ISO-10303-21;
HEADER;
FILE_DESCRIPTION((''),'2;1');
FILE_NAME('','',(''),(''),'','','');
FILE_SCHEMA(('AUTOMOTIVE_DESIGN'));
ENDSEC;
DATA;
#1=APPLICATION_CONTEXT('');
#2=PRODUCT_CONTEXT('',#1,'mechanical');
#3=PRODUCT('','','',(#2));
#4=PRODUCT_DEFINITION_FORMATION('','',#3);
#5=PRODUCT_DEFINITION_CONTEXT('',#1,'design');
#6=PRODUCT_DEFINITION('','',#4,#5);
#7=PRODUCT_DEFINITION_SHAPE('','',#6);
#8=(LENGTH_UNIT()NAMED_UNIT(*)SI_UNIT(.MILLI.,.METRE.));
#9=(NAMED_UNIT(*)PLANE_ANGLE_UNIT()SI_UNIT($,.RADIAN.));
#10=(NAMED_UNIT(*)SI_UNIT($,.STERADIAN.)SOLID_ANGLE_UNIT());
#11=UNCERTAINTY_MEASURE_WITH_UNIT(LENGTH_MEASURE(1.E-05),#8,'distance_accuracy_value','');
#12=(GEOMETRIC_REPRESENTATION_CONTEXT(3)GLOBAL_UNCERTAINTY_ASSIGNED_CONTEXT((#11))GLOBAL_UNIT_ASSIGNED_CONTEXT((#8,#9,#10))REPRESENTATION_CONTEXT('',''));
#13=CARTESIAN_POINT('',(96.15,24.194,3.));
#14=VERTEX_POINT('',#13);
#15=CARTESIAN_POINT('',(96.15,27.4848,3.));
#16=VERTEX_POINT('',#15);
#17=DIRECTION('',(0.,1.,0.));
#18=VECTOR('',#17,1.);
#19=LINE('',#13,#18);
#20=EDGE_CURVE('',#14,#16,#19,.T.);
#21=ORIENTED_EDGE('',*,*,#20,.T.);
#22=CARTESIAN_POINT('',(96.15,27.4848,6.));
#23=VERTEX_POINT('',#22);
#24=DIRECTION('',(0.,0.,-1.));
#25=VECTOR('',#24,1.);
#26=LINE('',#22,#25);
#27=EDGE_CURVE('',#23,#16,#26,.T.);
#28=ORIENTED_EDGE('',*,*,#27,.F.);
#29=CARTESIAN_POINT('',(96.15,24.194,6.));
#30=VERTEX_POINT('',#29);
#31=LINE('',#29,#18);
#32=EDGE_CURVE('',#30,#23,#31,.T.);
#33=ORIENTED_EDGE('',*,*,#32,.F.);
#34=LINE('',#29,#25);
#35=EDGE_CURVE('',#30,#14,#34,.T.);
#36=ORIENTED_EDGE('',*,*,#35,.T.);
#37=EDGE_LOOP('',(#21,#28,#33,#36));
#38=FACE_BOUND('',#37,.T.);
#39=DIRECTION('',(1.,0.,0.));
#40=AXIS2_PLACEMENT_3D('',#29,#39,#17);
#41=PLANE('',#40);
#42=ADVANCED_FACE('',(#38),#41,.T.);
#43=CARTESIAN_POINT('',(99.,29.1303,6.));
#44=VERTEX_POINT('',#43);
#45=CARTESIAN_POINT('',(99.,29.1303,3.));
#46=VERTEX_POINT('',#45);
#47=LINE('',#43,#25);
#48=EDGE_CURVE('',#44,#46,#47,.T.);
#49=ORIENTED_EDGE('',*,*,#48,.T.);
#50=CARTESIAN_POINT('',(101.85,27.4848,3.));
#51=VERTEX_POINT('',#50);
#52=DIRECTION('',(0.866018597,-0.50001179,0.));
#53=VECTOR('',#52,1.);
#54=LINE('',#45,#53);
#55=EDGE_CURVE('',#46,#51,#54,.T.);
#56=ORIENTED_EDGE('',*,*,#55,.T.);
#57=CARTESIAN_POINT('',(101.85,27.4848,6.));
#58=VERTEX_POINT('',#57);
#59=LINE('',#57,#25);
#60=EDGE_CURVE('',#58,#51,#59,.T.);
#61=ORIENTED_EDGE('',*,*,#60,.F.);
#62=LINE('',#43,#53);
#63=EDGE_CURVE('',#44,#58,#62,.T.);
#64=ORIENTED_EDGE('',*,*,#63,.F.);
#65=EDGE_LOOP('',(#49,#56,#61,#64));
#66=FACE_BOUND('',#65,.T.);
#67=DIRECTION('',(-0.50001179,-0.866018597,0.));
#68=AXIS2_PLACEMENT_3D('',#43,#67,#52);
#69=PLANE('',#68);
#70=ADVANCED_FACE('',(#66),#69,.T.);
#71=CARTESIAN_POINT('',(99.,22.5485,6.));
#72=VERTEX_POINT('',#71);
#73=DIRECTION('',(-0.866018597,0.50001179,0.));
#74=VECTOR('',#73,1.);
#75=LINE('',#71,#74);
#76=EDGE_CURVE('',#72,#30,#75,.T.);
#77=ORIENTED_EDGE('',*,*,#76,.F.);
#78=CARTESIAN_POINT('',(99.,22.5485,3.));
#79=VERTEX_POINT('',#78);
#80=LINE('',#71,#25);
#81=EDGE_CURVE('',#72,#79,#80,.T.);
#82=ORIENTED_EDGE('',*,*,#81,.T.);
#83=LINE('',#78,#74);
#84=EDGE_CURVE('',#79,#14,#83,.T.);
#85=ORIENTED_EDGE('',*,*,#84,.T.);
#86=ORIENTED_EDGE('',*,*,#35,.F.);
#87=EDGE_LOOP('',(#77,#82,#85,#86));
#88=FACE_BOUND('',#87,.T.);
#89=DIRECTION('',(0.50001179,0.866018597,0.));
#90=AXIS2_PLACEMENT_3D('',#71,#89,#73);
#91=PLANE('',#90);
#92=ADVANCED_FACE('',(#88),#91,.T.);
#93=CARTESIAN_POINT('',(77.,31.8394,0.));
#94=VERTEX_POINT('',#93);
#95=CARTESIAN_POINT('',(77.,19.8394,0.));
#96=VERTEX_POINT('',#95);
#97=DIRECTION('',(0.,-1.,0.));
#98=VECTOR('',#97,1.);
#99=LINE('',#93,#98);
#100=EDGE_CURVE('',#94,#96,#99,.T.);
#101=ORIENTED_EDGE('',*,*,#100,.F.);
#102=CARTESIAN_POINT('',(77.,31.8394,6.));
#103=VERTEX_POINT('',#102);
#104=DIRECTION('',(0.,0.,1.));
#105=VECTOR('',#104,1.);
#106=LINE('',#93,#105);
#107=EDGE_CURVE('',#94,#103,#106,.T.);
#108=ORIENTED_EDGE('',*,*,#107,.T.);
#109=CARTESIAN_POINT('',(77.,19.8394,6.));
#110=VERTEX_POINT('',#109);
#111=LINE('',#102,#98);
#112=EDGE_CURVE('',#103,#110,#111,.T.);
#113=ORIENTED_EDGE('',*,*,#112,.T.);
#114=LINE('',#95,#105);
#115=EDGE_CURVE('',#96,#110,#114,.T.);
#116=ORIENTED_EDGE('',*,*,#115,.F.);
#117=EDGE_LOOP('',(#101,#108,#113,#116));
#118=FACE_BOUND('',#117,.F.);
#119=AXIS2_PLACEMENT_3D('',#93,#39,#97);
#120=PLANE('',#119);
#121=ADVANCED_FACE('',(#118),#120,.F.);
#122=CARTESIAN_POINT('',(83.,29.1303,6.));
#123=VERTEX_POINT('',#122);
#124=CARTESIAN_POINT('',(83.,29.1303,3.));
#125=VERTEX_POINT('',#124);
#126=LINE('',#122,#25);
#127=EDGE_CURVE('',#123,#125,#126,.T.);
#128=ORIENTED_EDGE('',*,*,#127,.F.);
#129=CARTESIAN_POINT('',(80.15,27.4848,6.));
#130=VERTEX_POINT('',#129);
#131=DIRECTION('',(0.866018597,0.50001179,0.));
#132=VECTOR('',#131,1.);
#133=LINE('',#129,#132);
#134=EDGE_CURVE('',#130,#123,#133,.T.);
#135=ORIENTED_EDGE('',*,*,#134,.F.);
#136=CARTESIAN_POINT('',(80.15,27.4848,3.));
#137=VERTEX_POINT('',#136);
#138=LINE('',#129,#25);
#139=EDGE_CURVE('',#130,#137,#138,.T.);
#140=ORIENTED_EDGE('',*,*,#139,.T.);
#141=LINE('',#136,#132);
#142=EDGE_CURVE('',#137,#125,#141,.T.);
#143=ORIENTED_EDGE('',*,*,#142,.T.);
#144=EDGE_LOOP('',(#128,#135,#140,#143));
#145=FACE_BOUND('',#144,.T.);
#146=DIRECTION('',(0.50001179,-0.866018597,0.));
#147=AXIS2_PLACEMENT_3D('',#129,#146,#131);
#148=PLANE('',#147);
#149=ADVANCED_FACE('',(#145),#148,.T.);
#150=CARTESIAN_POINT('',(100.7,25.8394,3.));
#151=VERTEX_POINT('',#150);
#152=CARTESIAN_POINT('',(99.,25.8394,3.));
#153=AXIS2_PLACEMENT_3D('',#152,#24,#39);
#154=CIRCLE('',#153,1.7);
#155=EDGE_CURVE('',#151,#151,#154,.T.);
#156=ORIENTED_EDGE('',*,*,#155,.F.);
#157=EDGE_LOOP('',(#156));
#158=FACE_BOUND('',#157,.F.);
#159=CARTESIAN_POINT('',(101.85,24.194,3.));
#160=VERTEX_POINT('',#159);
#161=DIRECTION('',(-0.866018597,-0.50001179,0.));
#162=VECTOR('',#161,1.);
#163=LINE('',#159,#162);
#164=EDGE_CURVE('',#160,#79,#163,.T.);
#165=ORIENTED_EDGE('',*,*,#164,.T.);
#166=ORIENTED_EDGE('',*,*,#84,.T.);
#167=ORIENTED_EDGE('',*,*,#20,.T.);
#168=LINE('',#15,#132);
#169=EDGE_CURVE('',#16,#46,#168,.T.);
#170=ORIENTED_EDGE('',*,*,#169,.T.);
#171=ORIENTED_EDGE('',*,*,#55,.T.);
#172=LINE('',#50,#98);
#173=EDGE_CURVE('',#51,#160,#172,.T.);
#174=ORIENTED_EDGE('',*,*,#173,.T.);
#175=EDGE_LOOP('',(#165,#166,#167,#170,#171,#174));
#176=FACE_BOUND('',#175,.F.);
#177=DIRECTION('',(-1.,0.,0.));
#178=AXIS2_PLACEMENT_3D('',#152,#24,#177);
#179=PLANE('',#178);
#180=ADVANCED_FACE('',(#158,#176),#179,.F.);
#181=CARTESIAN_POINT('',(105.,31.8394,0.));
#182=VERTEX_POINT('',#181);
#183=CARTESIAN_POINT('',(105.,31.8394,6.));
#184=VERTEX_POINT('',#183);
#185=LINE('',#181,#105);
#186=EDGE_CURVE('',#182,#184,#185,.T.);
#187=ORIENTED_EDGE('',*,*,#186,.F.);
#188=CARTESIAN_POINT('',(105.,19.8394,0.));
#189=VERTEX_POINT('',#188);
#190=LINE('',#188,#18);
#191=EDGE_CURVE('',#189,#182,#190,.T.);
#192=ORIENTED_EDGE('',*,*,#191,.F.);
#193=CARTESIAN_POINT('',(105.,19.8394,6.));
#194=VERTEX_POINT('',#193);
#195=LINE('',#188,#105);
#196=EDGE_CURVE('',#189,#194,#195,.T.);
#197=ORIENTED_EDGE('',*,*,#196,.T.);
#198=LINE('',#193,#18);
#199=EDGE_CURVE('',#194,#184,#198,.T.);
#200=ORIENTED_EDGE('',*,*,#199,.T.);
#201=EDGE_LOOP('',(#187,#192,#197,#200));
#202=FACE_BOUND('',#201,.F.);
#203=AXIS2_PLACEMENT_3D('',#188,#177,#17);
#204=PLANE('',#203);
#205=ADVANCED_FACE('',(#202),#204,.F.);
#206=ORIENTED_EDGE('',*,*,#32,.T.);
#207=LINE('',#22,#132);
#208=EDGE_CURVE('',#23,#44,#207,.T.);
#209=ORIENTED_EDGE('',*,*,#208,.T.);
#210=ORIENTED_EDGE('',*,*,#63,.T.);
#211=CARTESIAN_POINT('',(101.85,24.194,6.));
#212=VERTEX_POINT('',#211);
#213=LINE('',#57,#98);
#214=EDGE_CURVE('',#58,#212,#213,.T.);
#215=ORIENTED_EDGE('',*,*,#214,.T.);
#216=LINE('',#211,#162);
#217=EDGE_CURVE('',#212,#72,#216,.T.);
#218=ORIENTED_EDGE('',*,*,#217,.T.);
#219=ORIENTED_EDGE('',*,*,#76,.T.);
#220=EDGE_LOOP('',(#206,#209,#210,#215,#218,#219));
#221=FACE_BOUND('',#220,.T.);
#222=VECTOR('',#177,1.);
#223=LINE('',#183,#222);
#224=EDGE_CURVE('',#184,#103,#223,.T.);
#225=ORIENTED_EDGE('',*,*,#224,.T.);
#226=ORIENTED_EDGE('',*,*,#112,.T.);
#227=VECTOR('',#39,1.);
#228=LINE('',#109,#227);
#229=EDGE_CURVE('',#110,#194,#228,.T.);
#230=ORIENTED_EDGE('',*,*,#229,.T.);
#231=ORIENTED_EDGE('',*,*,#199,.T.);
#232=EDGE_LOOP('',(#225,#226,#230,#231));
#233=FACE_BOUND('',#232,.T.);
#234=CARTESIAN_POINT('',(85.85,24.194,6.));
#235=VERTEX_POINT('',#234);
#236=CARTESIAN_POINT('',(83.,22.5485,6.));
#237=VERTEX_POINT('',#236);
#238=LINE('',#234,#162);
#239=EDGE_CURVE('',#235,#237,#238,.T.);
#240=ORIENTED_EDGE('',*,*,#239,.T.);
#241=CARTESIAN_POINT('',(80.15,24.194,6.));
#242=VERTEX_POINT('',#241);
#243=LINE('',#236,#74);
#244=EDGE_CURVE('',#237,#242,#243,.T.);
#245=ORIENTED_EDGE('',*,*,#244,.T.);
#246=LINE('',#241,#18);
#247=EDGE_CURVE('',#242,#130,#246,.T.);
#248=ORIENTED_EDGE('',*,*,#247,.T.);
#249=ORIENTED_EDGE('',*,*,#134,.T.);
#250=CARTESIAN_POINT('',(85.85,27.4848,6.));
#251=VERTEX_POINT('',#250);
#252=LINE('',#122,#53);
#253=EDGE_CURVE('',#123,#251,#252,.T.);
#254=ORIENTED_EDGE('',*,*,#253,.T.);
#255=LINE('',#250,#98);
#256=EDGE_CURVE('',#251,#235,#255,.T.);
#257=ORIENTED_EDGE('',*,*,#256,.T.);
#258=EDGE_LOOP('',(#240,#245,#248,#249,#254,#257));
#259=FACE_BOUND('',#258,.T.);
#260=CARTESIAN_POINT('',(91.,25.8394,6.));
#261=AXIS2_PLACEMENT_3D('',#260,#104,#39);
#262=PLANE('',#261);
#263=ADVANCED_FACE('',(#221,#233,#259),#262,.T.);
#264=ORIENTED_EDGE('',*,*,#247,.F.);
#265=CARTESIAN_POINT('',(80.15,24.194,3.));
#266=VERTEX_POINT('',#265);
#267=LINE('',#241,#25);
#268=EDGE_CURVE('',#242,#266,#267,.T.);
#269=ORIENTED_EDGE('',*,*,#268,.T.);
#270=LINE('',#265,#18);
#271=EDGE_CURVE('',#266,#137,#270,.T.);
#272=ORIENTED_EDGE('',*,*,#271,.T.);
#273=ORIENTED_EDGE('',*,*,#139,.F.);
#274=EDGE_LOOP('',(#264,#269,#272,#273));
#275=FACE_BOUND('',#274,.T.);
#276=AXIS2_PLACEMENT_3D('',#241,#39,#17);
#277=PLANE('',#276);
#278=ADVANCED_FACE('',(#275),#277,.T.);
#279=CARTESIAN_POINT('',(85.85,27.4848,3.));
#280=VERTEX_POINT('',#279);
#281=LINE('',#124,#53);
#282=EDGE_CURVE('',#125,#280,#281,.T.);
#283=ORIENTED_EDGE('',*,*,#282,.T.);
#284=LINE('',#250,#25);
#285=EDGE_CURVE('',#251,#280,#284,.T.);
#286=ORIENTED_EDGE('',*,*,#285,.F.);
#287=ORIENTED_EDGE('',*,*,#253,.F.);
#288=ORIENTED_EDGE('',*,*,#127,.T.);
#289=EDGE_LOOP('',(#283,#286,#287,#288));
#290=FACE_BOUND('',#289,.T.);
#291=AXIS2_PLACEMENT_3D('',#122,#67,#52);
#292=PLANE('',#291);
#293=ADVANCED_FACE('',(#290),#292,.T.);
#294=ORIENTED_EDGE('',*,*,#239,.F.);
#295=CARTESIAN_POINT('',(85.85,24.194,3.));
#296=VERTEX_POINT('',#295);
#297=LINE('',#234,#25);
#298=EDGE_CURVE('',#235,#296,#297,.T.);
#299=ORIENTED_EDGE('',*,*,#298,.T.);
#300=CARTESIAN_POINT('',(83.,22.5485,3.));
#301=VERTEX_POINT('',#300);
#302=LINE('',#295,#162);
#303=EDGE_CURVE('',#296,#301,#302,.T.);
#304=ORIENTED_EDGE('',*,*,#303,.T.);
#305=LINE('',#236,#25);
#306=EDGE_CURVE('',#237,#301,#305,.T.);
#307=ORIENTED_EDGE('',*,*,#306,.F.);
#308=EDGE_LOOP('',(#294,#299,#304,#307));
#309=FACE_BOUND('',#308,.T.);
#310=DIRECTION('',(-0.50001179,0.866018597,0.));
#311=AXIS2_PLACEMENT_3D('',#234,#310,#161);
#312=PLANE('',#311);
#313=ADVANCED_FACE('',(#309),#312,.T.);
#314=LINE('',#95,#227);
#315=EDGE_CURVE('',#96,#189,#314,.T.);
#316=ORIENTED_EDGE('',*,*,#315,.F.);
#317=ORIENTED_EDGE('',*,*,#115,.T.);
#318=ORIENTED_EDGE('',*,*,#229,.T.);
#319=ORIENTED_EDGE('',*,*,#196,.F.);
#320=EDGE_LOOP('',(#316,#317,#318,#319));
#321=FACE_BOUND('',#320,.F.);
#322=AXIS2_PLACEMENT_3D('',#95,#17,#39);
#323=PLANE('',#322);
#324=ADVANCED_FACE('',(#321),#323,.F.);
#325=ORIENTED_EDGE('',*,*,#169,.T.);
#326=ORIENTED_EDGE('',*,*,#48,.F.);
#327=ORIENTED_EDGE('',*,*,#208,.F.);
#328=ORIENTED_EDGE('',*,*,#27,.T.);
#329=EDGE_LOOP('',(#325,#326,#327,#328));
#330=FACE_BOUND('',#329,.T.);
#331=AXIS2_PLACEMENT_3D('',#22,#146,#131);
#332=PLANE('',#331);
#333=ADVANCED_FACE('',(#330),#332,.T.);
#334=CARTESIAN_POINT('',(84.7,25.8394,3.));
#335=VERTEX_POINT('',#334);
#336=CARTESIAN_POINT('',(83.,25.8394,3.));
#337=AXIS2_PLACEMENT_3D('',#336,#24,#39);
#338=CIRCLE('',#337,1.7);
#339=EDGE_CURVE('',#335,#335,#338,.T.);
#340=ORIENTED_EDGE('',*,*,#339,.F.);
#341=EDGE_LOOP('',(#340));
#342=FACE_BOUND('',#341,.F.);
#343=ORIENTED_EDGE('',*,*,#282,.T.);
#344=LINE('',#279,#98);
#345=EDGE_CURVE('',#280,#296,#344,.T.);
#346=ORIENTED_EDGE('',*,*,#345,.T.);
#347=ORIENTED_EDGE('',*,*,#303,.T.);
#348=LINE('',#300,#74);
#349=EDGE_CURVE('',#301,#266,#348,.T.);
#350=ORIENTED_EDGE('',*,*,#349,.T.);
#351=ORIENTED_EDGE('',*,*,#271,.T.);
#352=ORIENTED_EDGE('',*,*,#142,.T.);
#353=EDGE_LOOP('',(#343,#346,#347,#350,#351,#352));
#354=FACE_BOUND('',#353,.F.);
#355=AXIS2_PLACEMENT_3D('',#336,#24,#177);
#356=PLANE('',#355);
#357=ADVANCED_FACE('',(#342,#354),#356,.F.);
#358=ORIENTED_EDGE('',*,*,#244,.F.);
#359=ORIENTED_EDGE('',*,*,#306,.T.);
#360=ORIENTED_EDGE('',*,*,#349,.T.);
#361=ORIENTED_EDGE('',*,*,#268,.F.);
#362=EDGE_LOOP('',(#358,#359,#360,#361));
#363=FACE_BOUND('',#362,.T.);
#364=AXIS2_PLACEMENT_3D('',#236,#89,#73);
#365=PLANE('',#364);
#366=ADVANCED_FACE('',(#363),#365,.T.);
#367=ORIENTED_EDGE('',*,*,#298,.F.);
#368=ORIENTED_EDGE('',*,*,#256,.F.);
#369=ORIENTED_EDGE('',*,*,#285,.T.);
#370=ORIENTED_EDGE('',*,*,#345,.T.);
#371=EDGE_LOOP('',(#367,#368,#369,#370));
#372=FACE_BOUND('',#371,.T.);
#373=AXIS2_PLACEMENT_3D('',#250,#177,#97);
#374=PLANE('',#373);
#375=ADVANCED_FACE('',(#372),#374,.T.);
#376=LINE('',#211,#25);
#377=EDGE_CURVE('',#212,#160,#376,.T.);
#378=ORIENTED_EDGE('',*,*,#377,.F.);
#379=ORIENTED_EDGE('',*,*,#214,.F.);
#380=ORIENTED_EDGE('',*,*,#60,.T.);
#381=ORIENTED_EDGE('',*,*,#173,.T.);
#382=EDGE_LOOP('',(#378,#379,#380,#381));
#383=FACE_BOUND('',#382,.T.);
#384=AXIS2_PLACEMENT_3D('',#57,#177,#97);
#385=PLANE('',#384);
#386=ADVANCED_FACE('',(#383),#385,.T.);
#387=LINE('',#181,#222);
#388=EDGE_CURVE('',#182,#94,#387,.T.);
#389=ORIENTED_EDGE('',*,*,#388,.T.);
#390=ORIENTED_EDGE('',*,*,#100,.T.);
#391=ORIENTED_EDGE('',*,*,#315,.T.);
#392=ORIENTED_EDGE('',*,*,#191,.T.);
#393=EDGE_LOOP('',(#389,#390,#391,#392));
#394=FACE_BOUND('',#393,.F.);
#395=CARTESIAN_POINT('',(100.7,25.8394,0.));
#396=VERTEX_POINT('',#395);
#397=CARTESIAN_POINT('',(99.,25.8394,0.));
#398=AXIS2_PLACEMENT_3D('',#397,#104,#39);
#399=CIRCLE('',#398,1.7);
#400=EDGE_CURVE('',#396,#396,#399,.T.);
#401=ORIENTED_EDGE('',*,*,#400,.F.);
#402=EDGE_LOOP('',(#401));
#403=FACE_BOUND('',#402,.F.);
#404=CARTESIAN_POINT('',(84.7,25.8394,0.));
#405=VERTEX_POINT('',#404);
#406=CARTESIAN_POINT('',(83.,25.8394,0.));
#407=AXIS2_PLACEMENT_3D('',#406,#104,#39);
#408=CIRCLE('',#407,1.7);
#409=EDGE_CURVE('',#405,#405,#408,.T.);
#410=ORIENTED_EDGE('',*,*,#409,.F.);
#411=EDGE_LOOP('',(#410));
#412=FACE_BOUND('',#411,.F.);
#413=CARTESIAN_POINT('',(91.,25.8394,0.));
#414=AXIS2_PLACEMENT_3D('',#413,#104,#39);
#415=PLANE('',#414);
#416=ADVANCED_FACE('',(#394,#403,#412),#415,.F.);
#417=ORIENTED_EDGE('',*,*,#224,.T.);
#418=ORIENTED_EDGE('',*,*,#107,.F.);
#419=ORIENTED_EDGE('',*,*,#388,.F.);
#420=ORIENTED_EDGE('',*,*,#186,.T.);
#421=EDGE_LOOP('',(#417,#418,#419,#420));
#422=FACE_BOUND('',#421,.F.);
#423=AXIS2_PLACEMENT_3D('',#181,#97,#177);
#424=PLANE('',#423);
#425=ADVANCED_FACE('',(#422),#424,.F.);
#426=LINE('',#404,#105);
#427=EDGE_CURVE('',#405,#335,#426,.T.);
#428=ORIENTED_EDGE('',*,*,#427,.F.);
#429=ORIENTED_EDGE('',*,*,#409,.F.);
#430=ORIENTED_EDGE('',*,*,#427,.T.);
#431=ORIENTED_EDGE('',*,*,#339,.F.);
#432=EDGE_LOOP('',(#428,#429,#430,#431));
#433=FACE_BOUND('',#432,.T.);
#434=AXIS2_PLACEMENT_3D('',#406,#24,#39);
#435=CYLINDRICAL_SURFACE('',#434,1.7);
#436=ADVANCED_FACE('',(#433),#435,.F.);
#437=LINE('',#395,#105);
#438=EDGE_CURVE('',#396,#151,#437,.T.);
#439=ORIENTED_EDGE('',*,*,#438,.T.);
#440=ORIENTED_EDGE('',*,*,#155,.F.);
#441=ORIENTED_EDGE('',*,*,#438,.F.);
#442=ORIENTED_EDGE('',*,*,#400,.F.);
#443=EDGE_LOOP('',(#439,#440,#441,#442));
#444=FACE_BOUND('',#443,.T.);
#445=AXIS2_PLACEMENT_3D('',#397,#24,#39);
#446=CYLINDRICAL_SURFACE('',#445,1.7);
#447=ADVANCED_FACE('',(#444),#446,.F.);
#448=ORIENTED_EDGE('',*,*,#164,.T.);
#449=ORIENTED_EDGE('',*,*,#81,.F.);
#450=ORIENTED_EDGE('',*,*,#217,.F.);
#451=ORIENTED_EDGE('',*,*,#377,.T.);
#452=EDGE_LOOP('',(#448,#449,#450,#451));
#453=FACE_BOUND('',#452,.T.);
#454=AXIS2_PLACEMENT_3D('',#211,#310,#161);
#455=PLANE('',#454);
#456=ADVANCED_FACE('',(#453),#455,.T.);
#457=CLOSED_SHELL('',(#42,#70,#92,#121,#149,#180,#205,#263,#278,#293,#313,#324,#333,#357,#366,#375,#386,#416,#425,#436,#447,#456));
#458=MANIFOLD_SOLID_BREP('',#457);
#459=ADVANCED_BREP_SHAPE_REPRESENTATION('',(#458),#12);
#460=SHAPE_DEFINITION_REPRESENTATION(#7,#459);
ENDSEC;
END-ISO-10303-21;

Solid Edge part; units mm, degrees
sketch "Sketch1" plane through (0, 0, 0) normal (0, 0, 1) x (1, 0, 0)
  circle A0 centre (99, 25.8394) radius 1.7
  line L0 (77, 19.8394) -> (105, 19.8394)
  line L1 (105, 19.8394) -> (105, 31.8394)
  line L2 (105, 31.8394) -> (77, 31.8394)
  line L3 (77, 31.8394) -> (77, 19.8394)
  circle A1 centre (83, 25.8394) radius 1.7
  dimension "D1" = 12
  dimension "D2" = 6
  dimension "D3" = 6
  dimension "D4" = 28
extrude "Protrusion1" add sketch "Sketch1" along normal blind 6
sketch "Sketch2" plane through (89, 25.8394, 6) normal (0, 0, 1) x (1, 0, 0)
  line L0 (7.15, 1.6454) -> (10, 3.2909)
  line L1 (10, 3.2909) -> (12.85, 1.6454)
  line L2 (12.85, 1.6454) -> (12.85, -1.6454)
  line L3 (12.85, -1.6454) -> (10, -3.2909)
  line L4 (10, -3.2909) -> (7.15, -1.6454)
  line L5 (7.15, -1.6454) -> (7.15, 1.6454)
  line L6 (-8.85, 1.6454) -> (-6, 3.2909)
  line L7 (-6, 3.2909) -> (-3.15, 1.6454)
  line L8 (-3.15, 1.6454) -> (-3.15, -1.6454)
  line L9 (-3.15, -1.6454) -> (-6, -3.2909)
  line L10 (-6, -3.2909) -> (-8.85, -1.6454)
  line L11 (-8.85, -1.6454) -> (-8.85, 1.6454)
  dimension "D1" = 0.15
  dimension "D2" = 0.15
extrude "ExtrudedCutout_1" cut sketch "Sketch2" against normal blind 3
properties material "ABS Plastic, high impact"
